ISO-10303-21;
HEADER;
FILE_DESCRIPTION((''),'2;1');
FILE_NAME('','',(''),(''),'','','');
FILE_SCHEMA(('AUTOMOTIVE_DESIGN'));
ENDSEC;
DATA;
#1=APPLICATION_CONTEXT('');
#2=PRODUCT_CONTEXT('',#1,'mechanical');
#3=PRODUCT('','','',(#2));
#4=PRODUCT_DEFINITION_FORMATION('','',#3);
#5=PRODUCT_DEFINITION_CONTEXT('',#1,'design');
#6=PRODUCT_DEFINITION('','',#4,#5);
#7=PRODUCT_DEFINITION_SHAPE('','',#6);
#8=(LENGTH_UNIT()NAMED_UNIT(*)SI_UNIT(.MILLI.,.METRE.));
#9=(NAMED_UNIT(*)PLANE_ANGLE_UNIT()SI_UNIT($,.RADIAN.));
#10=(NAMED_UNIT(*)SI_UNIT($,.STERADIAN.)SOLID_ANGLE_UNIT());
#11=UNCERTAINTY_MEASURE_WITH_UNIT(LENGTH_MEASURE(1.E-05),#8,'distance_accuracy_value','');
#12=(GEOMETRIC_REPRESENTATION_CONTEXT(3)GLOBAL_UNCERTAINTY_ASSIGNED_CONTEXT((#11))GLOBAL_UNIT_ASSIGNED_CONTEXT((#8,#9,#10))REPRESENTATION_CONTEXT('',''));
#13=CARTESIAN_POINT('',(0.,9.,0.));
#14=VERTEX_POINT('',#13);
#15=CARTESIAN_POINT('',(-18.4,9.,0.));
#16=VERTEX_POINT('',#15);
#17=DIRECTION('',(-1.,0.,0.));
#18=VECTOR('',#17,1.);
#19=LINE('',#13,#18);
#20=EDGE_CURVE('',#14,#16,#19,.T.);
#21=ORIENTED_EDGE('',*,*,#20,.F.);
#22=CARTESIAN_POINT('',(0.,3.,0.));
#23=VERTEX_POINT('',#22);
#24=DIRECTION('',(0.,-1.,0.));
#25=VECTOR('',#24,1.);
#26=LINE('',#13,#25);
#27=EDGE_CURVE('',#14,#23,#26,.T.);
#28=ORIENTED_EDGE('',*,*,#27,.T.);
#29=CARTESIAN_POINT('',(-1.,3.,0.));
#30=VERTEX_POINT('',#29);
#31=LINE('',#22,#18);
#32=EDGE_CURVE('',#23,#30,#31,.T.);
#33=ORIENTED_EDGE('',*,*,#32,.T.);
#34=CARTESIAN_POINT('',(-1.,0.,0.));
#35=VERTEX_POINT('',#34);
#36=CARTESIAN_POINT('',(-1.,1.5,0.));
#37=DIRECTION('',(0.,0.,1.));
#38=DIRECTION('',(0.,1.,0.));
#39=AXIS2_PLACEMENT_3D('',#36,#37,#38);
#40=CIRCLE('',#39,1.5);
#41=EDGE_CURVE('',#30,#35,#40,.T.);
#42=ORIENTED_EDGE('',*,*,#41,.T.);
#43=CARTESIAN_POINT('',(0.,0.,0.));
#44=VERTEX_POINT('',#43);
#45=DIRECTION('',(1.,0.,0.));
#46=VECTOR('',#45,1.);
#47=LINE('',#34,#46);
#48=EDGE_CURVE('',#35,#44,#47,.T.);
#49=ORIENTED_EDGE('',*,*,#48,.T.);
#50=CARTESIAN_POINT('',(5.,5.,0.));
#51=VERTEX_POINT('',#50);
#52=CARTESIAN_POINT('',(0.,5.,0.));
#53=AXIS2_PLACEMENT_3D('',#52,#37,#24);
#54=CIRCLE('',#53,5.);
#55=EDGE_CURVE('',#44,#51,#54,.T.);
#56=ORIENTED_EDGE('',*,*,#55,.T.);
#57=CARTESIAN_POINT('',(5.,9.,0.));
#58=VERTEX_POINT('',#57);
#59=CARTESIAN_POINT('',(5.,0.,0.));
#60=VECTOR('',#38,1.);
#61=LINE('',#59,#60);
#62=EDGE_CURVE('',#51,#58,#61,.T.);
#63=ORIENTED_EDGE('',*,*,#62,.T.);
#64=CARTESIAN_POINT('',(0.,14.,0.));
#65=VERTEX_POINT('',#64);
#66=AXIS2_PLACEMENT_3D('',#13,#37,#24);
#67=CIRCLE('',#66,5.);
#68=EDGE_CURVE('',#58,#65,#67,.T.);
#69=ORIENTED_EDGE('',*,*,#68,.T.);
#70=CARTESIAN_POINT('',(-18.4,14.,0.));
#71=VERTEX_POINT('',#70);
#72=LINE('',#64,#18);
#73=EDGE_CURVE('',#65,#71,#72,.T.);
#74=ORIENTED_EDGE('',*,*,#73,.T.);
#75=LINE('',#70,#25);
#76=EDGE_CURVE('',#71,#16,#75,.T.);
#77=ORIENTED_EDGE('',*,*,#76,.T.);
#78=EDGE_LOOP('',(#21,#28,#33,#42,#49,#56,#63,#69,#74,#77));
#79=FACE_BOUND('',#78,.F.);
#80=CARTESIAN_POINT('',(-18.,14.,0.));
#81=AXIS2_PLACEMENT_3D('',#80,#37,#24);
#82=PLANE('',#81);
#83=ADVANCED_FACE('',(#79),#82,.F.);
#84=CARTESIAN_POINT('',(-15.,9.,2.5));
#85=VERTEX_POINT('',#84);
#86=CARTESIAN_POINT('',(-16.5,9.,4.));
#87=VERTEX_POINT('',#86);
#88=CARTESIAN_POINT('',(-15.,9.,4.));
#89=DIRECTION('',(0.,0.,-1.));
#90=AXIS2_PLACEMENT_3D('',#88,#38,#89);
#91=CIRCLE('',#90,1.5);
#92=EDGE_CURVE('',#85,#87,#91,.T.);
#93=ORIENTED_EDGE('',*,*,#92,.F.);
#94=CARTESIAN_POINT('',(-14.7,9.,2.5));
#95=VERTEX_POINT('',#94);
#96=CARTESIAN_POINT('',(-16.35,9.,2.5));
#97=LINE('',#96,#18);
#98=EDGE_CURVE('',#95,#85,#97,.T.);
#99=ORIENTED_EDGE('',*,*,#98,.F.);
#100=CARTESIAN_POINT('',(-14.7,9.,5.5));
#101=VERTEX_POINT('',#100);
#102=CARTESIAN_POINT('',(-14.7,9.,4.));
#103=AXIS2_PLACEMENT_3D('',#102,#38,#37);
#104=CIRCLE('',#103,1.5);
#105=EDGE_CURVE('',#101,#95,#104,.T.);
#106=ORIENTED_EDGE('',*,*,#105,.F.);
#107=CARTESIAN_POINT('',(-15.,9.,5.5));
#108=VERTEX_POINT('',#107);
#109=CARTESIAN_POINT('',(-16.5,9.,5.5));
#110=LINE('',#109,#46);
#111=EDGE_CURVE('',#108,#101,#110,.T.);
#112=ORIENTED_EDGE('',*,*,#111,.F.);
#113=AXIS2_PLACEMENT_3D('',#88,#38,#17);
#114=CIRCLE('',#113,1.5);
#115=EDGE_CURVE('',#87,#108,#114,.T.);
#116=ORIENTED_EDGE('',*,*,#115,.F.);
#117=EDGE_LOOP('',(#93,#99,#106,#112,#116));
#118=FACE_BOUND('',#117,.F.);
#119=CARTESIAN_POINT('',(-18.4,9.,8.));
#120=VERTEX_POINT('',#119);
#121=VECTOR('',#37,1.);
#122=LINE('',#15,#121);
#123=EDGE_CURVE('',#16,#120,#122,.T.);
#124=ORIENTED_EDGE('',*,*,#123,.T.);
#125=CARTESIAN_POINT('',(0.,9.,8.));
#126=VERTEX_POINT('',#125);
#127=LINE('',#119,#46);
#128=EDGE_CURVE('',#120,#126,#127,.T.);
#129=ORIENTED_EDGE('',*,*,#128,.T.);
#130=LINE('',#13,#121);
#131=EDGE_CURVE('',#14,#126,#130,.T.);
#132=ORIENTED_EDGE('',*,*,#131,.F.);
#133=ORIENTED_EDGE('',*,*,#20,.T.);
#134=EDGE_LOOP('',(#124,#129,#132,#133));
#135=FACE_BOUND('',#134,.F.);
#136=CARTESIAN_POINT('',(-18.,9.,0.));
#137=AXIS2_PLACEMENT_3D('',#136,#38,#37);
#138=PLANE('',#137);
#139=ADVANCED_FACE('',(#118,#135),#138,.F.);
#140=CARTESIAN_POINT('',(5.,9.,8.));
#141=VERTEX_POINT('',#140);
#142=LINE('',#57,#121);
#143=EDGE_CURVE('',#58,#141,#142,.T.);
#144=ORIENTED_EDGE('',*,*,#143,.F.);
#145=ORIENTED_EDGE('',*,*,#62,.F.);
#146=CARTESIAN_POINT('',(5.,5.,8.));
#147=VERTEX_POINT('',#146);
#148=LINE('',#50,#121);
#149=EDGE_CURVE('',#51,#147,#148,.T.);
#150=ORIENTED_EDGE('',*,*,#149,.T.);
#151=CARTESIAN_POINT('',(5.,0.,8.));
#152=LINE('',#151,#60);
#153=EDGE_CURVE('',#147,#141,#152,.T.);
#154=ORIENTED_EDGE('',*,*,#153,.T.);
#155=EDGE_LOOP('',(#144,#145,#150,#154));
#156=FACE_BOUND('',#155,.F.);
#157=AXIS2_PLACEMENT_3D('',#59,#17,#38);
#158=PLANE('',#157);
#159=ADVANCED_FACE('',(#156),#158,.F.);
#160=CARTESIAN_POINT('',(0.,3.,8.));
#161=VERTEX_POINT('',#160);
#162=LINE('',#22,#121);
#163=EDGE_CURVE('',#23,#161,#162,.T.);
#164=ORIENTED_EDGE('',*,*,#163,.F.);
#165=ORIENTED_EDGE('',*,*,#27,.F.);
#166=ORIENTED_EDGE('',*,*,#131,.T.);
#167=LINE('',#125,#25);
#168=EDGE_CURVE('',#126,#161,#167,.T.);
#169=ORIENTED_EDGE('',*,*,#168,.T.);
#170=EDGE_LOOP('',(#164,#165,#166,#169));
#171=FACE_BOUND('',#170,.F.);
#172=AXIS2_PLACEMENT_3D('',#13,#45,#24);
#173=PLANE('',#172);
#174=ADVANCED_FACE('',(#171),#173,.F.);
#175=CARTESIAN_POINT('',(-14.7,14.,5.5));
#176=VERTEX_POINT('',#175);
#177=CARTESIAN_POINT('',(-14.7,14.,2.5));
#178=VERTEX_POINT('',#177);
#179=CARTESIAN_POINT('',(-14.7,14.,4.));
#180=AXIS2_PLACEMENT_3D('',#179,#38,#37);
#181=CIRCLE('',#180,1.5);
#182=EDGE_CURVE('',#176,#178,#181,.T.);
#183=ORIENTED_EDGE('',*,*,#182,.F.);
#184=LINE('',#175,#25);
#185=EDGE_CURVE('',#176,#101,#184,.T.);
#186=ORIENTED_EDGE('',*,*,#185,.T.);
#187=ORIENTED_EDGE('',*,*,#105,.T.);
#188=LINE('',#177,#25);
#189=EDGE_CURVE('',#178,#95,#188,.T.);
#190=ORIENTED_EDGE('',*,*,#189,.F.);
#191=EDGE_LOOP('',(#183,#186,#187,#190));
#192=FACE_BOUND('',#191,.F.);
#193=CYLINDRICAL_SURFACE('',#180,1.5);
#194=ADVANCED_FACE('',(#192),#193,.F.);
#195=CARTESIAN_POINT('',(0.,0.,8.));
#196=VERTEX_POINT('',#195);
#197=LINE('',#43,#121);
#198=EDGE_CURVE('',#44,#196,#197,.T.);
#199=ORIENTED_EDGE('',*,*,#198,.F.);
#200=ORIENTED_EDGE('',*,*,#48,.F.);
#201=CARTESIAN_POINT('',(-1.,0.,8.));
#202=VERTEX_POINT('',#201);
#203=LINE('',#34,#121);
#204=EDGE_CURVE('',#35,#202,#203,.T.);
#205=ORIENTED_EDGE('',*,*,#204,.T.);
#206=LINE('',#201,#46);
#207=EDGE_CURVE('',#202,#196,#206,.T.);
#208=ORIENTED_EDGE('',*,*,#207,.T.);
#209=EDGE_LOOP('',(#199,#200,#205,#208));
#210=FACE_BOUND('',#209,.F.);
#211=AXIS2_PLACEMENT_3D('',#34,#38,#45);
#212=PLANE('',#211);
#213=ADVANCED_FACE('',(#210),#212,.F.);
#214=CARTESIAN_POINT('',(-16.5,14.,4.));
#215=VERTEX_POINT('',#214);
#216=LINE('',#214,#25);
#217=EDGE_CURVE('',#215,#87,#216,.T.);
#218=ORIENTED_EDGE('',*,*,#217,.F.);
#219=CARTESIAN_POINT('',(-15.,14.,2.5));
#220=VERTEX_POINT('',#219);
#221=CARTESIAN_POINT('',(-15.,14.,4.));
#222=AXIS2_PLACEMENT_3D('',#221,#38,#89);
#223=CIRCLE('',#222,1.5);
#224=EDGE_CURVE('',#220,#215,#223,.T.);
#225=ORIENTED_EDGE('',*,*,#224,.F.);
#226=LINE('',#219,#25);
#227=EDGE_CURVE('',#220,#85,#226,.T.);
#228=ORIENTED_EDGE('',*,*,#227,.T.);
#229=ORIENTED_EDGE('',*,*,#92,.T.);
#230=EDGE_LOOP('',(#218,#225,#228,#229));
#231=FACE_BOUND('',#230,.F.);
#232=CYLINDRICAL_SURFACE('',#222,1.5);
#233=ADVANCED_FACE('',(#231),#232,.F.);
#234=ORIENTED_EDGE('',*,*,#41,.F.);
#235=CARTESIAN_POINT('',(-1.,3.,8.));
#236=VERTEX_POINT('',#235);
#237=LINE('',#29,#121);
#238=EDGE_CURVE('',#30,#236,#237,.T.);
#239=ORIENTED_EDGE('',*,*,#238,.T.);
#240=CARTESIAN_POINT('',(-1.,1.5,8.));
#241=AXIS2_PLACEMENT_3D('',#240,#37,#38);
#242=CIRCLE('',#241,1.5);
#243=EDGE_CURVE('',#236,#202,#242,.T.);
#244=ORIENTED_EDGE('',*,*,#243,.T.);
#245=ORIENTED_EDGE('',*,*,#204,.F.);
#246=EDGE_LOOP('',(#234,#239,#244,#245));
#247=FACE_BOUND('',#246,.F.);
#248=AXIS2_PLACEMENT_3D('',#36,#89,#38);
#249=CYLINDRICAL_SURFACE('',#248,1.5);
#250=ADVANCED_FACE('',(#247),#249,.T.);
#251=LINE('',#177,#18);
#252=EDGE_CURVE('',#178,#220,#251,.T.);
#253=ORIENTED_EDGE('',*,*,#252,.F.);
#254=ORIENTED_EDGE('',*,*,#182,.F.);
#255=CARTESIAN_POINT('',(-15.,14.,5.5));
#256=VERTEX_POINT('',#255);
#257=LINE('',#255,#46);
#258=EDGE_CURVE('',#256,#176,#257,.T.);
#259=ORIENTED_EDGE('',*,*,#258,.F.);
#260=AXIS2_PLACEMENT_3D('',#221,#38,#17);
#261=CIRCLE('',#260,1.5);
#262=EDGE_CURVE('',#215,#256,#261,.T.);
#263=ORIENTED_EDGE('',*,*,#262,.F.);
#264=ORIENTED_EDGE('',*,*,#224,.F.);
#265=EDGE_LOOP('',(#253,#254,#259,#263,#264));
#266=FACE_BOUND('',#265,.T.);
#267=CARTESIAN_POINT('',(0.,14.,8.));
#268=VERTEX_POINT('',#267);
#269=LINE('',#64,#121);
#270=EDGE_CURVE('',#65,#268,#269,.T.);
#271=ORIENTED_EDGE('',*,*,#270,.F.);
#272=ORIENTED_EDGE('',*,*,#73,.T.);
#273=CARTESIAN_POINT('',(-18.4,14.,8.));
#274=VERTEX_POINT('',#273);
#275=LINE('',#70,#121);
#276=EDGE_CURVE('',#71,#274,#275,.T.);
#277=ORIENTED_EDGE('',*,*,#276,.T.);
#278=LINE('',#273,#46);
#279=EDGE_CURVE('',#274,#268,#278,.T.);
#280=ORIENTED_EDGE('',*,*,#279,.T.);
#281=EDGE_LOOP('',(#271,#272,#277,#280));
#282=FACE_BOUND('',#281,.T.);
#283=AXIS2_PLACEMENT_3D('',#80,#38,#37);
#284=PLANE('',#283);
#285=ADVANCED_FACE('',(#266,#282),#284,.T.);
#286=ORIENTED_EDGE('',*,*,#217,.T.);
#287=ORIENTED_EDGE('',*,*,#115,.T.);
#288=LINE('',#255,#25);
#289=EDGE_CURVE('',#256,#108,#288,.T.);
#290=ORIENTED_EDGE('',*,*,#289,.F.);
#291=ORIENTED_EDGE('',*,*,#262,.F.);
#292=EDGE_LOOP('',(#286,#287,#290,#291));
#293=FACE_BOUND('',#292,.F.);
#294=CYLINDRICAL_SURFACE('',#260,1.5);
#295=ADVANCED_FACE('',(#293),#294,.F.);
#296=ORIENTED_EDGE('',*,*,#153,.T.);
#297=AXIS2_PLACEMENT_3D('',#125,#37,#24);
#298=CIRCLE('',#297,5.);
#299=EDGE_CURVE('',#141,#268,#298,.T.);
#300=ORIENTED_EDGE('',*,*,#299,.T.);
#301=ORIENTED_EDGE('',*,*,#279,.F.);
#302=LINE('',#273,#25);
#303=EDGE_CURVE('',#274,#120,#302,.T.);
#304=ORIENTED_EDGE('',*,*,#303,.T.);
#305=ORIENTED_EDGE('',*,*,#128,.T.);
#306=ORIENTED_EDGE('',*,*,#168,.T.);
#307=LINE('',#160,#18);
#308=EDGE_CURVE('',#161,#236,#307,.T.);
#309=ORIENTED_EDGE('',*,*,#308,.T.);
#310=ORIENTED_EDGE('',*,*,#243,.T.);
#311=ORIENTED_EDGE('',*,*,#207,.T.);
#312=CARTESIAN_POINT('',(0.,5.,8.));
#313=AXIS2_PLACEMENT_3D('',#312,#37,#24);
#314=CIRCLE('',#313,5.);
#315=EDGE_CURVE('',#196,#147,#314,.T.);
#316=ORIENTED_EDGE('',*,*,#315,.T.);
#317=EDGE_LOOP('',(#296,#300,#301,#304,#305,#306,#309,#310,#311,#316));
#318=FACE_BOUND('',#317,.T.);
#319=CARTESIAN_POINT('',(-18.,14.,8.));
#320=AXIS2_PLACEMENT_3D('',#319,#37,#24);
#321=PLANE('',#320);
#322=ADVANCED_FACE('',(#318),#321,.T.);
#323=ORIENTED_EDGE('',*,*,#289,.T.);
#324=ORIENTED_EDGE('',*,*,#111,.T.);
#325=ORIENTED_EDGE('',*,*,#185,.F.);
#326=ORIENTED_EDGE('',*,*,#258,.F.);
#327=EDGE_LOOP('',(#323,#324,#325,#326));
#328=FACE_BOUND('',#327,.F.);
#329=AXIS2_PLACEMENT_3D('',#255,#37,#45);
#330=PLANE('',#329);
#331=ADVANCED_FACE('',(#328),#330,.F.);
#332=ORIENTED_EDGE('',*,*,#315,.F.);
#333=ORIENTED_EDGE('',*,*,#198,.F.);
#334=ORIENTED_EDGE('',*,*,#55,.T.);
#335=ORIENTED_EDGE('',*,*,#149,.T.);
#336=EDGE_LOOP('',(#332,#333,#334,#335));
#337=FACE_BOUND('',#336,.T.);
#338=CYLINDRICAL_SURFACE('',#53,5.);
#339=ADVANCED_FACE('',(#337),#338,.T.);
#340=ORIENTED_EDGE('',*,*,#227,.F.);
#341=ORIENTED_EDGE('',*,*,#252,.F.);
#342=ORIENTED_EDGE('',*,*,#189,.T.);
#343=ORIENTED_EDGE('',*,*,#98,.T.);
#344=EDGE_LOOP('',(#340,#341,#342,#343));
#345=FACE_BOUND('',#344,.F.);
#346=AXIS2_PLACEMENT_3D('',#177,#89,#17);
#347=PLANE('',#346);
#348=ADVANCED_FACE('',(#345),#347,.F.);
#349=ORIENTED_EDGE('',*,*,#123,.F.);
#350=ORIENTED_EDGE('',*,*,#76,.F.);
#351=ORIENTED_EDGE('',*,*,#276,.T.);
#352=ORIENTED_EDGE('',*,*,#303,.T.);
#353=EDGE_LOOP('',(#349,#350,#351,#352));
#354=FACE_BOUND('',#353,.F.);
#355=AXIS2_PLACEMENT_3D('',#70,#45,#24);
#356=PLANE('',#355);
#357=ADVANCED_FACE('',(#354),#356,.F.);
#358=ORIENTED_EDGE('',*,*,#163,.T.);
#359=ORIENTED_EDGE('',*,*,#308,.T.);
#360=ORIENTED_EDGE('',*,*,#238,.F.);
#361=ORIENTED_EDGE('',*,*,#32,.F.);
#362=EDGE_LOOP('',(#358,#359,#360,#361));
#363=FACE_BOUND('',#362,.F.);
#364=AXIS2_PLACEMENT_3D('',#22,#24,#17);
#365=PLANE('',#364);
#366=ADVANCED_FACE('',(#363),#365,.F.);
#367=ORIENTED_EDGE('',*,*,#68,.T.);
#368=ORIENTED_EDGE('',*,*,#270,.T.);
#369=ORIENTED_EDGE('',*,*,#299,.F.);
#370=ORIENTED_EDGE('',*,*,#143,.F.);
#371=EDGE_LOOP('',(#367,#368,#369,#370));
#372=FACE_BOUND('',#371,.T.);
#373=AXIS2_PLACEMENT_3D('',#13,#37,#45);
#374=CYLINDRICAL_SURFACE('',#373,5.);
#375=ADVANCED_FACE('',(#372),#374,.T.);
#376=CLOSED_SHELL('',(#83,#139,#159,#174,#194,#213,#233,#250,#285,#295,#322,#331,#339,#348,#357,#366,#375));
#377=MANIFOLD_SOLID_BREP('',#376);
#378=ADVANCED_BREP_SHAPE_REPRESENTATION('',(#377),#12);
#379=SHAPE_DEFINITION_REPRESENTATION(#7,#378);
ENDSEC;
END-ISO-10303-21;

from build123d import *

# Parameters (mm, degrees)
F1_DEPTH = 8
F3_DEPTH = 25
F4_R     = 5
F5_DEPTH = 0.4


with BuildPart() as f1:
    # F0 (on Top) → F1 (new body)
    with BuildSketch(Plane.XY):
        with BuildLine():
            Line((-1, 0), (0, 0))
            Line((0, 0), (5, 0))
            Line((5, 0), (5, 14))
            Line((5, 14), (-18, 14))
            Line((-18, 14), (-18, 9))
            Line((-18, 9), (0, 9))
            Line((0, 9), (0, 3))
            Line((0, 3), (-1, 3))
            ThreePointArc((-1, 3), (-2.5, 1.5), (-1, 0))
        make_face()
    extrude(amount=F1_DEPTH)

    # F2 (on face) → F3 (cut)
    with BuildSketch(Plane(origin=(0, 14, 0), x_dir=(-1, 0, 0), z_dir=(0, 1, 0))):
        with BuildLine():
            ThreePointArc((15, 2.5), (16.0606601718, 2.9393398282), (16.5, 4))
            ThreePointArc((16.5, 4), (16.0606601718, 5.0606601718), (15, 5.5))
            Line((15, 5.5), (15, 5.4696938457))
            ThreePointArc((15, 5.4696938457), (15.8618950039, 4.9486832981), (16.2, 4))
            ThreePointArc((16.2, 4), (15.8618950039, 3.0513167019), (15, 2.5303061543))
            Line((15, 2.5303061543), (15, 2.5))
        make_face()
        with BuildLine():
            ThreePointArc((15, 5.4696938457), (14.9252882939, 5.4829852274), (14.85, 5.4924811557))
            ThreePointArc((14.85, 5.4924811557), (13.5, 4), (14.85, 2.5075188443))
            ThreePointArc((14.85, 2.5075188443), (14.9252882939, 2.5170147726), (15, 2.5303061543))
            Line((15, 2.5303061543), (15, 5.4696938457))
        make_face()
        with BuildLine():
            ThreePointArc((14.85, 2.5075188443), (13.5, 4), (14.85, 5.4924811557))
            ThreePointArc((14.85, 5.4924811557), (14.7750941626, 5.4981191097), (14.7, 5.5))
            ThreePointArc((14.7, 5.5), (13.2, 4), (14.7, 2.5))
            ThreePointArc((14.7, 2.5), (14.7750941626, 2.5018808903), (14.85, 2.5075188443))
        make_face()
        with BuildLine():
            ThreePointArc((16.2, 4), (15.8618950039, 4.9486832981), (15, 5.4696938457))
            Line((15, 5.4696938457), (15, 2.5303061543))
            ThreePointArc((15, 2.5303061543), (15.8618950039, 3.0513167019), (16.2, 4))
        make_face()
        with BuildLine():
            Line((15, 5.4696938457), (15, 5.5))
            ThreePointArc((15, 5.5), (14.9249058374, 5.4981191097), (14.85, 5.4924811557))
            ThreePointArc((14.85, 5.4924811557), (14.9252882939, 5.4829852274), (15, 5.4696938457))
        make_face()
        with BuildLine():
            ThreePointArc((14.85, 2.5075188443), (14.9249058374, 2.5018808903), (15, 2.5))
            Line((15, 2.5), (15, 2.5303061543))
            ThreePointArc((15, 2.5303061543), (14.9252882939, 2.5170147726), (14.85, 2.5075188443))
        make_face()
        with BuildLine():
            ThreePointArc((14.85, 5.4924811557), (14.9249058374, 5.4981191097), (15, 5.5))
            Line((15, 5.5), (14.7, 5.5))
            ThreePointArc((14.7, 5.5), (14.7750941626, 5.4981191097), (14.85, 5.4924811557))
        make_face()
        with BuildLine():
            Line((14.7, 2.5), (15, 2.5))
            ThreePointArc((15, 2.5), (14.9249058374, 2.5018808903), (14.85, 2.5075188443))
            ThreePointArc((14.85, 2.5075188443), (14.7750941626, 2.5018808903), (14.7, 2.5))
        make_face()
    extrude(amount=-F3_DEPTH, mode=Mode.SUBTRACT)

    # F4
    f4_edges = [f1.edges().sort_by_distance(p)[0] for p in [
        (5, 14, 4),
        (5, 0, 4),
    ]]
    fillet(f4_edges, radius=F4_R)

    # F5 (add): a face of the model
    f5_faces = [f1.faces().sort_by_distance(p)[0] for p in [
        (-18, 11.5, 4),
    ]]
    extrude(f5_faces, amount=F5_DEPTH)


solid = f1.part
